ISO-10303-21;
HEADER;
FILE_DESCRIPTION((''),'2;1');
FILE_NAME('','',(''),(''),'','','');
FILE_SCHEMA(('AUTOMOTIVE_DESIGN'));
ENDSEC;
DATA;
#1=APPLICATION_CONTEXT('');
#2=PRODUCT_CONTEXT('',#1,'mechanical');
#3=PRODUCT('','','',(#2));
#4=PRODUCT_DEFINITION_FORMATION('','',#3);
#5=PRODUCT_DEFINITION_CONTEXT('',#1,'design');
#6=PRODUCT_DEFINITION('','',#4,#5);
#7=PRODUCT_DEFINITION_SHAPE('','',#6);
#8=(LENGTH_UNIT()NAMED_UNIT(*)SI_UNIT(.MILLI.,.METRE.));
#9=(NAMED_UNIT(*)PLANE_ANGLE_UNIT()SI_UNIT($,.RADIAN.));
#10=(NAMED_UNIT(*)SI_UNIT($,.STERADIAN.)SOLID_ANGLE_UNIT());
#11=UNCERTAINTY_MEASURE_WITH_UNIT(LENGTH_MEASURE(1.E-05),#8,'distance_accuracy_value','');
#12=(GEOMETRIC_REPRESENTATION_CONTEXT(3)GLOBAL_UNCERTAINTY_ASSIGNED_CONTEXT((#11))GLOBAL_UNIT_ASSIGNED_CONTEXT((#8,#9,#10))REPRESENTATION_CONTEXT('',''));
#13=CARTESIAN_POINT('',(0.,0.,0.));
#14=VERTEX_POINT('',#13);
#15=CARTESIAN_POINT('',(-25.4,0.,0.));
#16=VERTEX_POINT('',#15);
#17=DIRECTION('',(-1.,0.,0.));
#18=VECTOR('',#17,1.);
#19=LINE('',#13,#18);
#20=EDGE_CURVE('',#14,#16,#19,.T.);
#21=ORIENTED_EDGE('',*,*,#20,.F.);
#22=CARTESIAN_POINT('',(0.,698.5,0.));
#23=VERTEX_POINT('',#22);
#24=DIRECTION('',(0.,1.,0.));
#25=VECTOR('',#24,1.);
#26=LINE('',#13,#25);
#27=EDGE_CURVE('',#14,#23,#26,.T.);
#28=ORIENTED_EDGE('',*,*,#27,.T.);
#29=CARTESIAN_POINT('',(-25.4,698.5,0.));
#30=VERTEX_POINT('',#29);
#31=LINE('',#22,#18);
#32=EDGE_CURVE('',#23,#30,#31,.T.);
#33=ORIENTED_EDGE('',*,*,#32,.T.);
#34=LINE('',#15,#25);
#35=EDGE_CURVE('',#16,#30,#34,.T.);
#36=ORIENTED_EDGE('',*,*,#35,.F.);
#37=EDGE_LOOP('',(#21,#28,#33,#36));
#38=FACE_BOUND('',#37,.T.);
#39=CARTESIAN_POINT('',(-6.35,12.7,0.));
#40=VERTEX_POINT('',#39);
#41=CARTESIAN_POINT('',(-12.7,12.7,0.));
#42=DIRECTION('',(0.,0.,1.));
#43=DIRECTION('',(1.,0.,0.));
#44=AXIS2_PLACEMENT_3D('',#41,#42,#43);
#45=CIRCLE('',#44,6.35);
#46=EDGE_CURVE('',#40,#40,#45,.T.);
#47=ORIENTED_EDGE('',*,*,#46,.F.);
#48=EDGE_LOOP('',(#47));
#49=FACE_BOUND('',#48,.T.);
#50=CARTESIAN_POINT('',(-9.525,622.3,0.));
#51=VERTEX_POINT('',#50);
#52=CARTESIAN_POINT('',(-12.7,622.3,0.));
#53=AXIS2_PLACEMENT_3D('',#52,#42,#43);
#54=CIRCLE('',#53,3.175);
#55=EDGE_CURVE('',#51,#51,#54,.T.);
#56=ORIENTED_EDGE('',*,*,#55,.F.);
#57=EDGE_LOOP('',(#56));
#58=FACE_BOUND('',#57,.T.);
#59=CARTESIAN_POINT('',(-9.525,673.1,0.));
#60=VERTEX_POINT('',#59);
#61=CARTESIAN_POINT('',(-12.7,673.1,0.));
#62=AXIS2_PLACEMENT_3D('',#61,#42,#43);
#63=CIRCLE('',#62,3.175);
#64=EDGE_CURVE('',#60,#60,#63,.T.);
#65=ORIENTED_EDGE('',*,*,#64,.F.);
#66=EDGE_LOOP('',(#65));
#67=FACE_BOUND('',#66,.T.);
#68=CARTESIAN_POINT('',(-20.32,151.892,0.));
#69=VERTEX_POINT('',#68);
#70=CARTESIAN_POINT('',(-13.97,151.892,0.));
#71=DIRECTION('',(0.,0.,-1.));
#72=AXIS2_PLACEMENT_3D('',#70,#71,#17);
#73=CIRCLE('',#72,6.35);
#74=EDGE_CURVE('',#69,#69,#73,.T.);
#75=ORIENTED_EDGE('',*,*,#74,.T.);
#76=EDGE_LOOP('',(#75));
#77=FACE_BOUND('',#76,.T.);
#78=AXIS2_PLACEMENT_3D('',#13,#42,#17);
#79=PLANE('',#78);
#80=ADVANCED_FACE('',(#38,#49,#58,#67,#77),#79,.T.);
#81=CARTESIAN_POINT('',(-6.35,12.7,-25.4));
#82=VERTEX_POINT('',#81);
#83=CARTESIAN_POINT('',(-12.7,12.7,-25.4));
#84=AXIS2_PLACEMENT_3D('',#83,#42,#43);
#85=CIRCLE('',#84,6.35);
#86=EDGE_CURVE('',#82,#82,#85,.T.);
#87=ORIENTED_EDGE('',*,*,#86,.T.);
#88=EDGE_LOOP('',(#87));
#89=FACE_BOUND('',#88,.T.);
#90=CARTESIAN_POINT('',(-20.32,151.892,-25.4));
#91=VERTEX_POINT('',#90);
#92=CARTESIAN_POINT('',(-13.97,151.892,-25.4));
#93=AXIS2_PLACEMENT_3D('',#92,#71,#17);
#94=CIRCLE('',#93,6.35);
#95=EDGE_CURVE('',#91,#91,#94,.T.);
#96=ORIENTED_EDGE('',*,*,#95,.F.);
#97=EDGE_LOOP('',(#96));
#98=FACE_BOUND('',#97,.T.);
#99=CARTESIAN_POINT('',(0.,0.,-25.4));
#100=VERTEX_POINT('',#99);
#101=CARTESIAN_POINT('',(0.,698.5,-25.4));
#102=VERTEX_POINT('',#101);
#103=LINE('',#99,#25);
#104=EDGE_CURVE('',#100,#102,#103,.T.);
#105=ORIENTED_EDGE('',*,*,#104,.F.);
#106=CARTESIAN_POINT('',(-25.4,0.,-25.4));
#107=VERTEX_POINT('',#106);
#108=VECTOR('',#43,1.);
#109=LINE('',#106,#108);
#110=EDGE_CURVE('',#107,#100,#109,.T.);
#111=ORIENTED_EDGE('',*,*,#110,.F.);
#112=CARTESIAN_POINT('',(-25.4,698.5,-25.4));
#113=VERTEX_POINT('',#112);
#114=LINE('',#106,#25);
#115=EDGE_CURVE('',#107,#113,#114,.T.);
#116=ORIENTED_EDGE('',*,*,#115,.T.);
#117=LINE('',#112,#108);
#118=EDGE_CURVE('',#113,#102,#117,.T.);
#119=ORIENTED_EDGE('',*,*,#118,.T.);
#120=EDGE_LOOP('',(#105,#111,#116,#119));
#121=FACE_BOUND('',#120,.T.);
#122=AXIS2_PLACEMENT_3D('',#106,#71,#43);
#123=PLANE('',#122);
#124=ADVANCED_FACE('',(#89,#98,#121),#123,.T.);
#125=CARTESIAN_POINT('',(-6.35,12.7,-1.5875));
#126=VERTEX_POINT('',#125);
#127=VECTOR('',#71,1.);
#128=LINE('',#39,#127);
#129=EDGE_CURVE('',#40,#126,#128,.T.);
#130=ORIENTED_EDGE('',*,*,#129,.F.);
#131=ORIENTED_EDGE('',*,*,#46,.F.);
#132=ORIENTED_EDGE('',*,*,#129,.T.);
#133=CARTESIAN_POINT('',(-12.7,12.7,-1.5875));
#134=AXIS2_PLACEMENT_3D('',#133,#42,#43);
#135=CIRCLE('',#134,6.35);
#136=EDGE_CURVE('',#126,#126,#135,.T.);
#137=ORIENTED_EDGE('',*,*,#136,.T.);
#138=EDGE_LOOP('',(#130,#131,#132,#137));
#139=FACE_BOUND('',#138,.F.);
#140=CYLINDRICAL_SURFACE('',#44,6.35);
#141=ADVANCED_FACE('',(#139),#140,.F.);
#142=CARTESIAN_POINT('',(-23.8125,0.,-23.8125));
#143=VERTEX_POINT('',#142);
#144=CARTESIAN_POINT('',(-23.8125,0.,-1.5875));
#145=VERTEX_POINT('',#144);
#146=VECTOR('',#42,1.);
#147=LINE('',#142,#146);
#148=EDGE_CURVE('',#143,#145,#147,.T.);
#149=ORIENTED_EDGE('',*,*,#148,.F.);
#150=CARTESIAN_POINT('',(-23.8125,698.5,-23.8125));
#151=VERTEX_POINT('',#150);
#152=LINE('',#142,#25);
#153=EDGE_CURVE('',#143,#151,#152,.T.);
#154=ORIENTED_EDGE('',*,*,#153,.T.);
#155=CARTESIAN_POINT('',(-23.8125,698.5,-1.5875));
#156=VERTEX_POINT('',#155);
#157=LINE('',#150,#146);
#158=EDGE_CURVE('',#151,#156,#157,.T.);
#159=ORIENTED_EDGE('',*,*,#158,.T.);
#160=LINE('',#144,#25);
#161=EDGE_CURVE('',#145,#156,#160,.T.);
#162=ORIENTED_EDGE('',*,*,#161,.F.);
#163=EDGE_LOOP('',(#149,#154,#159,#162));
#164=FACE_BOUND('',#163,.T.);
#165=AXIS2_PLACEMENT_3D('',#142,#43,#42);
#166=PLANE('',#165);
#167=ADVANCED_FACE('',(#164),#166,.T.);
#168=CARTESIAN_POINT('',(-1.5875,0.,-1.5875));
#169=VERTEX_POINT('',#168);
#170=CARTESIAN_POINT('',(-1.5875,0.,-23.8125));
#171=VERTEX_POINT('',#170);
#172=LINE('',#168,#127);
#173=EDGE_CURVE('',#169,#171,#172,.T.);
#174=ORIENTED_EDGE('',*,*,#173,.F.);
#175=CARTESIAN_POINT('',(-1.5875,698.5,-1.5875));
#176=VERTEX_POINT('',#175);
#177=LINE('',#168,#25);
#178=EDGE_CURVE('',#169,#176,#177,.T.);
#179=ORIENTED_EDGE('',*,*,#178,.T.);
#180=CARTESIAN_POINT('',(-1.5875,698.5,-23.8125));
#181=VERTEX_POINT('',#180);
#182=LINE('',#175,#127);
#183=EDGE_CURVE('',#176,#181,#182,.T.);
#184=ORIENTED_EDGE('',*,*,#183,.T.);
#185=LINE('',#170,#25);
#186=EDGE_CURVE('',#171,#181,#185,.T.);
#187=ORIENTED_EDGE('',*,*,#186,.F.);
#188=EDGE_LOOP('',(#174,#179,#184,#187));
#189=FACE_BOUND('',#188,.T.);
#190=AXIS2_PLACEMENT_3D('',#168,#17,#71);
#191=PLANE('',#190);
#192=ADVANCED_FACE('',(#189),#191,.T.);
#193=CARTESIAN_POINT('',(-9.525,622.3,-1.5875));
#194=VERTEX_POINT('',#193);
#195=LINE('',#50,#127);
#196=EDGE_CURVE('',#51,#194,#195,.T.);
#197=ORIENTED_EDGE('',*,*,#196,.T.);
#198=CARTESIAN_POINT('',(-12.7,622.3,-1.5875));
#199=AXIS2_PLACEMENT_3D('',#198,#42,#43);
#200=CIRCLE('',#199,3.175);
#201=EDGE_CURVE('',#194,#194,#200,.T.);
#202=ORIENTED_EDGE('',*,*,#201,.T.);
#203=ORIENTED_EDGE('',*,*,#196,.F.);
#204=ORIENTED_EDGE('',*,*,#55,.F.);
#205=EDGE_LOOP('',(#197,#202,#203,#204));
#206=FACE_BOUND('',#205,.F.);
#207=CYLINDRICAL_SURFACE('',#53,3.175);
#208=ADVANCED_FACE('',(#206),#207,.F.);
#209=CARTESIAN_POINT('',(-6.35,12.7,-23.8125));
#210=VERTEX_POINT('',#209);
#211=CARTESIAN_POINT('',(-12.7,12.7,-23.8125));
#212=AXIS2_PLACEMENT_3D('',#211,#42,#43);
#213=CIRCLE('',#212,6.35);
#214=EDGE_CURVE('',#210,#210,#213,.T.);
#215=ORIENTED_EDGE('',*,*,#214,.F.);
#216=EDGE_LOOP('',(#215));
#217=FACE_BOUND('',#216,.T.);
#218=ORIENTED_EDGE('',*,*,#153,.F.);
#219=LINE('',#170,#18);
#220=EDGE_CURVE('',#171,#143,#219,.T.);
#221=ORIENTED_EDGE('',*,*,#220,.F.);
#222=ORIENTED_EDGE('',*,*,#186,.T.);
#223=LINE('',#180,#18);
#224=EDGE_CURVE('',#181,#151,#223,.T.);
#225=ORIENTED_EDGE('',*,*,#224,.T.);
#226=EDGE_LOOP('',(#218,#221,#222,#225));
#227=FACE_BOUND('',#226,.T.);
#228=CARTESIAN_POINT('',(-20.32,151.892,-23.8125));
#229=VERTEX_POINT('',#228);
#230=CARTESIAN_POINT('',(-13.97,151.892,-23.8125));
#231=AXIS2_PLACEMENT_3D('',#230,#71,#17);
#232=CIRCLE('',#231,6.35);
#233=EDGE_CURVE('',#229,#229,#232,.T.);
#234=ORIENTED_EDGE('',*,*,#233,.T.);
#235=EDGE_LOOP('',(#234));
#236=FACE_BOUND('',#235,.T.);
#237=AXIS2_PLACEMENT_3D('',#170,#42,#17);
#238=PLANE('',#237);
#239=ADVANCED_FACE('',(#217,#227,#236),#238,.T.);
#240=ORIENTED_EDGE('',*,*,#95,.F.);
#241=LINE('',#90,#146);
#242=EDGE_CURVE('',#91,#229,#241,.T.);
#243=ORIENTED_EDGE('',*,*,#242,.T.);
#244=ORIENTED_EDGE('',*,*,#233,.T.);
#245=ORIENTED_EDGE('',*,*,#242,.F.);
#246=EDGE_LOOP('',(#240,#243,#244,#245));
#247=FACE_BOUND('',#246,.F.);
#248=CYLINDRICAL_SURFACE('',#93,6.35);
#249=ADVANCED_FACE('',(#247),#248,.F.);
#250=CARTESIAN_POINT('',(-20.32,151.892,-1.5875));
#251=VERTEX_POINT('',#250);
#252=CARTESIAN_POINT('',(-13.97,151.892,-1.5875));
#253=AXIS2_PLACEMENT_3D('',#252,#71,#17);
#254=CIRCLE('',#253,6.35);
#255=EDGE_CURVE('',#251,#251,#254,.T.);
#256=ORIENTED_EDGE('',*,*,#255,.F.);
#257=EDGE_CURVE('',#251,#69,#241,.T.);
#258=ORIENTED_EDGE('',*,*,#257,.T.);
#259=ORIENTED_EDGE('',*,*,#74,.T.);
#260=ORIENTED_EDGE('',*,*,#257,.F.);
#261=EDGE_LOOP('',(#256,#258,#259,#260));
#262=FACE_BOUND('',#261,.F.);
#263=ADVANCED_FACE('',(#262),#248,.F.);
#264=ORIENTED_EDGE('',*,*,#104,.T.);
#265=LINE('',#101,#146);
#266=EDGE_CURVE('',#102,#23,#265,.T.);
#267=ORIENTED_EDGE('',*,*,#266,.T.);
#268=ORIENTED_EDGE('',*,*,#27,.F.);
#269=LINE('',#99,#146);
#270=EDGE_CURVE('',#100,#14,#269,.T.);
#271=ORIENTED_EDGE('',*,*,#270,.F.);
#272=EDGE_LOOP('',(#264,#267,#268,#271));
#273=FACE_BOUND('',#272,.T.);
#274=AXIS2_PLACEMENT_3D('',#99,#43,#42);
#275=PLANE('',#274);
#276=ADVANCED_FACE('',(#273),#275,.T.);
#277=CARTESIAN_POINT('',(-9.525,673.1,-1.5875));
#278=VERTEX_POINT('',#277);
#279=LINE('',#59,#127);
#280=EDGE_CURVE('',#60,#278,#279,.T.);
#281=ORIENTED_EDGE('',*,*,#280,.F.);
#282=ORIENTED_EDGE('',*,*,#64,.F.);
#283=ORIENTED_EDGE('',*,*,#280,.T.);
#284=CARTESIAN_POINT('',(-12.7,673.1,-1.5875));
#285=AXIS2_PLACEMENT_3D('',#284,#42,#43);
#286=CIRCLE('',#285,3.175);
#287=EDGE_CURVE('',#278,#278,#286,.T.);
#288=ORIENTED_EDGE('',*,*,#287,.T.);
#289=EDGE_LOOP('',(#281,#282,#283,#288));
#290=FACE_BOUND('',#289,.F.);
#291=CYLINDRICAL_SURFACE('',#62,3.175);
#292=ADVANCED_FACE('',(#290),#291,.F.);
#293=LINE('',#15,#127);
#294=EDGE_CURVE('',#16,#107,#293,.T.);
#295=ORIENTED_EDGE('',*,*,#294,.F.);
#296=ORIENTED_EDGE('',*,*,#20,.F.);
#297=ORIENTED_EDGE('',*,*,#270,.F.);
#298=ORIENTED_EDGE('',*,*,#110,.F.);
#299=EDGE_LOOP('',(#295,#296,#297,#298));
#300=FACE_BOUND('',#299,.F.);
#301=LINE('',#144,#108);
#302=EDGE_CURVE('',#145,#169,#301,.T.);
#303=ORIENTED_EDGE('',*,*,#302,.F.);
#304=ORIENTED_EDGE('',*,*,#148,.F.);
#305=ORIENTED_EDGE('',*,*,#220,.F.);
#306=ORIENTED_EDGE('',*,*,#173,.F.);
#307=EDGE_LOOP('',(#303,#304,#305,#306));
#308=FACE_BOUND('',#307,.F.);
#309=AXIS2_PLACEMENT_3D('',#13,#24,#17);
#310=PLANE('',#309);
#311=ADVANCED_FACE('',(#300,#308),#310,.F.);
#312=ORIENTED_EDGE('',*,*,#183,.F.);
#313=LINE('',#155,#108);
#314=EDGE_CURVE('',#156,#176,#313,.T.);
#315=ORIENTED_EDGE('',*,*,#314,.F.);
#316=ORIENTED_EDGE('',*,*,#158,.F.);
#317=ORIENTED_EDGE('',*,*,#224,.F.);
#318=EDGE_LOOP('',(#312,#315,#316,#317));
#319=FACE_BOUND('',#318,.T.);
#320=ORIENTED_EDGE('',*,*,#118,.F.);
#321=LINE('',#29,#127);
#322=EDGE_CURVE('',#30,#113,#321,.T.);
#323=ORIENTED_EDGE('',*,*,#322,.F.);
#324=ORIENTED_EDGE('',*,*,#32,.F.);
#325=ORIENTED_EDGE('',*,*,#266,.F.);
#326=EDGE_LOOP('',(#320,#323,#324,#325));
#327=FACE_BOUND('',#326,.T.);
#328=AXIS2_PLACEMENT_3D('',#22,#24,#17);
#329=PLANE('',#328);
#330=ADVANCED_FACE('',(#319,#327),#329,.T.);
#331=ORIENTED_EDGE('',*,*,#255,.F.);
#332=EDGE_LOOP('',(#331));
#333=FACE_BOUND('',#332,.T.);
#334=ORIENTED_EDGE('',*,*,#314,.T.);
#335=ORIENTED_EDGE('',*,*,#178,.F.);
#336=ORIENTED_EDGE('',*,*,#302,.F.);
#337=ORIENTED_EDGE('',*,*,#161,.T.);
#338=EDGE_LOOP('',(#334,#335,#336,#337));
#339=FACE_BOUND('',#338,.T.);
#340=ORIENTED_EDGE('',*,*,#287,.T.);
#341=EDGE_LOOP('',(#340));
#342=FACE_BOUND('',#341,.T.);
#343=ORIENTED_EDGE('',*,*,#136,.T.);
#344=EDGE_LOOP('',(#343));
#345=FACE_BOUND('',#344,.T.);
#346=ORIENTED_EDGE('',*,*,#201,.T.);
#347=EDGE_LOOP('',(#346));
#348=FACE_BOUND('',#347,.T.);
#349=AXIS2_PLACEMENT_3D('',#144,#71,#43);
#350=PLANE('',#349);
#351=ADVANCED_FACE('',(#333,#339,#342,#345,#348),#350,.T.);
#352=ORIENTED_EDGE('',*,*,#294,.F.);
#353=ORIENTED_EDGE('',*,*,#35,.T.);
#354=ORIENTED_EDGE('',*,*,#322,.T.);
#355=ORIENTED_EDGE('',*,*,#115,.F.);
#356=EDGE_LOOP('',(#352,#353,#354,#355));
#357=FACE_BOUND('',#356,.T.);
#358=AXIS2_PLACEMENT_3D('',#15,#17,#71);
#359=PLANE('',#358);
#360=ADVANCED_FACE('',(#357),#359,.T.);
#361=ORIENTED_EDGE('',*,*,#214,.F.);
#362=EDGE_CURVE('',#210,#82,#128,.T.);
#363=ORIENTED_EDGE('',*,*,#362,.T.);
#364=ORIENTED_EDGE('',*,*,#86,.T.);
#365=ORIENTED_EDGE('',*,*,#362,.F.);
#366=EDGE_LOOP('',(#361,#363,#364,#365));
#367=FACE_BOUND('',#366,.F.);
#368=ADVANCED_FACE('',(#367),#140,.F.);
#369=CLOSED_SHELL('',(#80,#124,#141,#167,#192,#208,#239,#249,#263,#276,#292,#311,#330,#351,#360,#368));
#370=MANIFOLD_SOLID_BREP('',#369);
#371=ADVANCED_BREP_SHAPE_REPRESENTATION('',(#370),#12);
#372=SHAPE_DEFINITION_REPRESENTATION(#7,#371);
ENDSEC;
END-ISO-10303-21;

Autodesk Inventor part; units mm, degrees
ref_plane "YZ Plane" through (0, 0, 0) normal (1, 0, 0) x (0, 1, 0)
ref_plane "XZ Plane" through (0, 0, 0) normal (0, 1, 0) x (-1, 0, 0)
ref_plane "XY Plane" through (0, 0, 0) normal (0, 0, 1) x (1, 0, 0)
sketch "Sketch1" plane through (0, 0, 0) normal (0, 1, 0) x (-1, 0, 0)
  line L0 (0, 0) -> (25.4, 0)
  line L1 (25.4, 0) -> (25.4, -25.4)
  line L2 (25.4, -25.4) -> (0, -25.4)
  line L3 (0, -25.4) -> (0, 0)
  line L4 (23.8125, -23.8125) -> (23.8125, -1.5875)
  line L5 (23.8125, -1.5875) -> (1.5875, -1.5875)
  line L6 (1.5875, -1.5875) -> (1.5875, -23.8125)
  line L7 (1.5875, -23.8125) -> (23.8125, -23.8125)
  dimension "d0" = 25.4
  dimension "d1" = 25.4
  dimension "d2" = 1.5875
extrude "Extrusion1" add sketch "Sketch1" along normal blind 698.5
sketch "Sketch2" plane through (-25.4, 0, 0) normal (0, 0, 1) x (1, 0, 0)
  circle A0 centre (12.7, 12.7) radius 6.35
  line L0 (25.4, 0) -> (0, 0) projected
  dimension "d5" = 12.7
  dimension "d6" = 12.7
extrude "Extrusion2" cut sketch "Sketch2" against normal blind 25.4
sketch "Sketch7" plane through (0, 0, -25.4) normal (0, 0, -1) x (-1, 0, 0)
  circle A0 centre (13.97, 151.892) radius 6.35
  line L0 (25.4, 0) -> (0, 0) projected
  line L1 (25.4, 0) -> (25.4, 698.5) projected
  dimension "d26" = 12.7
  dimension "d27" = 151.892
  dimension "d31" = 11.43
extrude "Extrusion7" cut sketch "Sketch7" against normal blind 25.4
sketch "Sketch11" plane through (0, 0, -25.4) normal (0, 0, -1) x (-1, 0, 0)
  line L0 (0, 698.5) -> (25.4, 698.5) projected
  line L1 (0, 0) -> (0, 698.5) projected
  line L2 (0, 723.9) -> (0, 669.7136)
  arc A0 (0, 669.7136) -> (-29.6572, 670.9249) centre (-16.2109, 636.4744) ccw projected
  line L3 (-29.6572, 670.9249) -> (-33.1564, 670.9249) projected
  line L4 (-29.6572, 670.9249) -> (-33.1564, 670.9249)
  arc A1 (0, 669.7136) -> (-29.6572, 670.9249) centre (-16.2109, 636.4744) ccw
  arc A2 (0, 723.9) -> (-33.1564, 670.9249) centre (3.7035, 684.7184) ccw
  point P0 (25.4, 698.5)
extrude "Extrusion11" cut sketch "Sketch11" against normal blind 25.4
sketch "Sketch12" plane through (-25.4, 0, 0) normal (0, 0, 1) x (1, 0, 0)
  line L0 (25.4, 698.5) -> (0, 698.5) projected
  circle A0 centre (12.7, 673.1) radius 3.175
  circle A1 centre (12.7, 622.3) radius 3.175
  point P0 (25.4, 0)
  dimension "d46" = 6.35
  dimension "d47" = 25.4
  dimension "d48" = 6.35
  dimension "d50" = 76.2
extrude "Extrusion12" cut sketch "Sketch12" against normal blind 1.5875
properties part number "AP 3"
